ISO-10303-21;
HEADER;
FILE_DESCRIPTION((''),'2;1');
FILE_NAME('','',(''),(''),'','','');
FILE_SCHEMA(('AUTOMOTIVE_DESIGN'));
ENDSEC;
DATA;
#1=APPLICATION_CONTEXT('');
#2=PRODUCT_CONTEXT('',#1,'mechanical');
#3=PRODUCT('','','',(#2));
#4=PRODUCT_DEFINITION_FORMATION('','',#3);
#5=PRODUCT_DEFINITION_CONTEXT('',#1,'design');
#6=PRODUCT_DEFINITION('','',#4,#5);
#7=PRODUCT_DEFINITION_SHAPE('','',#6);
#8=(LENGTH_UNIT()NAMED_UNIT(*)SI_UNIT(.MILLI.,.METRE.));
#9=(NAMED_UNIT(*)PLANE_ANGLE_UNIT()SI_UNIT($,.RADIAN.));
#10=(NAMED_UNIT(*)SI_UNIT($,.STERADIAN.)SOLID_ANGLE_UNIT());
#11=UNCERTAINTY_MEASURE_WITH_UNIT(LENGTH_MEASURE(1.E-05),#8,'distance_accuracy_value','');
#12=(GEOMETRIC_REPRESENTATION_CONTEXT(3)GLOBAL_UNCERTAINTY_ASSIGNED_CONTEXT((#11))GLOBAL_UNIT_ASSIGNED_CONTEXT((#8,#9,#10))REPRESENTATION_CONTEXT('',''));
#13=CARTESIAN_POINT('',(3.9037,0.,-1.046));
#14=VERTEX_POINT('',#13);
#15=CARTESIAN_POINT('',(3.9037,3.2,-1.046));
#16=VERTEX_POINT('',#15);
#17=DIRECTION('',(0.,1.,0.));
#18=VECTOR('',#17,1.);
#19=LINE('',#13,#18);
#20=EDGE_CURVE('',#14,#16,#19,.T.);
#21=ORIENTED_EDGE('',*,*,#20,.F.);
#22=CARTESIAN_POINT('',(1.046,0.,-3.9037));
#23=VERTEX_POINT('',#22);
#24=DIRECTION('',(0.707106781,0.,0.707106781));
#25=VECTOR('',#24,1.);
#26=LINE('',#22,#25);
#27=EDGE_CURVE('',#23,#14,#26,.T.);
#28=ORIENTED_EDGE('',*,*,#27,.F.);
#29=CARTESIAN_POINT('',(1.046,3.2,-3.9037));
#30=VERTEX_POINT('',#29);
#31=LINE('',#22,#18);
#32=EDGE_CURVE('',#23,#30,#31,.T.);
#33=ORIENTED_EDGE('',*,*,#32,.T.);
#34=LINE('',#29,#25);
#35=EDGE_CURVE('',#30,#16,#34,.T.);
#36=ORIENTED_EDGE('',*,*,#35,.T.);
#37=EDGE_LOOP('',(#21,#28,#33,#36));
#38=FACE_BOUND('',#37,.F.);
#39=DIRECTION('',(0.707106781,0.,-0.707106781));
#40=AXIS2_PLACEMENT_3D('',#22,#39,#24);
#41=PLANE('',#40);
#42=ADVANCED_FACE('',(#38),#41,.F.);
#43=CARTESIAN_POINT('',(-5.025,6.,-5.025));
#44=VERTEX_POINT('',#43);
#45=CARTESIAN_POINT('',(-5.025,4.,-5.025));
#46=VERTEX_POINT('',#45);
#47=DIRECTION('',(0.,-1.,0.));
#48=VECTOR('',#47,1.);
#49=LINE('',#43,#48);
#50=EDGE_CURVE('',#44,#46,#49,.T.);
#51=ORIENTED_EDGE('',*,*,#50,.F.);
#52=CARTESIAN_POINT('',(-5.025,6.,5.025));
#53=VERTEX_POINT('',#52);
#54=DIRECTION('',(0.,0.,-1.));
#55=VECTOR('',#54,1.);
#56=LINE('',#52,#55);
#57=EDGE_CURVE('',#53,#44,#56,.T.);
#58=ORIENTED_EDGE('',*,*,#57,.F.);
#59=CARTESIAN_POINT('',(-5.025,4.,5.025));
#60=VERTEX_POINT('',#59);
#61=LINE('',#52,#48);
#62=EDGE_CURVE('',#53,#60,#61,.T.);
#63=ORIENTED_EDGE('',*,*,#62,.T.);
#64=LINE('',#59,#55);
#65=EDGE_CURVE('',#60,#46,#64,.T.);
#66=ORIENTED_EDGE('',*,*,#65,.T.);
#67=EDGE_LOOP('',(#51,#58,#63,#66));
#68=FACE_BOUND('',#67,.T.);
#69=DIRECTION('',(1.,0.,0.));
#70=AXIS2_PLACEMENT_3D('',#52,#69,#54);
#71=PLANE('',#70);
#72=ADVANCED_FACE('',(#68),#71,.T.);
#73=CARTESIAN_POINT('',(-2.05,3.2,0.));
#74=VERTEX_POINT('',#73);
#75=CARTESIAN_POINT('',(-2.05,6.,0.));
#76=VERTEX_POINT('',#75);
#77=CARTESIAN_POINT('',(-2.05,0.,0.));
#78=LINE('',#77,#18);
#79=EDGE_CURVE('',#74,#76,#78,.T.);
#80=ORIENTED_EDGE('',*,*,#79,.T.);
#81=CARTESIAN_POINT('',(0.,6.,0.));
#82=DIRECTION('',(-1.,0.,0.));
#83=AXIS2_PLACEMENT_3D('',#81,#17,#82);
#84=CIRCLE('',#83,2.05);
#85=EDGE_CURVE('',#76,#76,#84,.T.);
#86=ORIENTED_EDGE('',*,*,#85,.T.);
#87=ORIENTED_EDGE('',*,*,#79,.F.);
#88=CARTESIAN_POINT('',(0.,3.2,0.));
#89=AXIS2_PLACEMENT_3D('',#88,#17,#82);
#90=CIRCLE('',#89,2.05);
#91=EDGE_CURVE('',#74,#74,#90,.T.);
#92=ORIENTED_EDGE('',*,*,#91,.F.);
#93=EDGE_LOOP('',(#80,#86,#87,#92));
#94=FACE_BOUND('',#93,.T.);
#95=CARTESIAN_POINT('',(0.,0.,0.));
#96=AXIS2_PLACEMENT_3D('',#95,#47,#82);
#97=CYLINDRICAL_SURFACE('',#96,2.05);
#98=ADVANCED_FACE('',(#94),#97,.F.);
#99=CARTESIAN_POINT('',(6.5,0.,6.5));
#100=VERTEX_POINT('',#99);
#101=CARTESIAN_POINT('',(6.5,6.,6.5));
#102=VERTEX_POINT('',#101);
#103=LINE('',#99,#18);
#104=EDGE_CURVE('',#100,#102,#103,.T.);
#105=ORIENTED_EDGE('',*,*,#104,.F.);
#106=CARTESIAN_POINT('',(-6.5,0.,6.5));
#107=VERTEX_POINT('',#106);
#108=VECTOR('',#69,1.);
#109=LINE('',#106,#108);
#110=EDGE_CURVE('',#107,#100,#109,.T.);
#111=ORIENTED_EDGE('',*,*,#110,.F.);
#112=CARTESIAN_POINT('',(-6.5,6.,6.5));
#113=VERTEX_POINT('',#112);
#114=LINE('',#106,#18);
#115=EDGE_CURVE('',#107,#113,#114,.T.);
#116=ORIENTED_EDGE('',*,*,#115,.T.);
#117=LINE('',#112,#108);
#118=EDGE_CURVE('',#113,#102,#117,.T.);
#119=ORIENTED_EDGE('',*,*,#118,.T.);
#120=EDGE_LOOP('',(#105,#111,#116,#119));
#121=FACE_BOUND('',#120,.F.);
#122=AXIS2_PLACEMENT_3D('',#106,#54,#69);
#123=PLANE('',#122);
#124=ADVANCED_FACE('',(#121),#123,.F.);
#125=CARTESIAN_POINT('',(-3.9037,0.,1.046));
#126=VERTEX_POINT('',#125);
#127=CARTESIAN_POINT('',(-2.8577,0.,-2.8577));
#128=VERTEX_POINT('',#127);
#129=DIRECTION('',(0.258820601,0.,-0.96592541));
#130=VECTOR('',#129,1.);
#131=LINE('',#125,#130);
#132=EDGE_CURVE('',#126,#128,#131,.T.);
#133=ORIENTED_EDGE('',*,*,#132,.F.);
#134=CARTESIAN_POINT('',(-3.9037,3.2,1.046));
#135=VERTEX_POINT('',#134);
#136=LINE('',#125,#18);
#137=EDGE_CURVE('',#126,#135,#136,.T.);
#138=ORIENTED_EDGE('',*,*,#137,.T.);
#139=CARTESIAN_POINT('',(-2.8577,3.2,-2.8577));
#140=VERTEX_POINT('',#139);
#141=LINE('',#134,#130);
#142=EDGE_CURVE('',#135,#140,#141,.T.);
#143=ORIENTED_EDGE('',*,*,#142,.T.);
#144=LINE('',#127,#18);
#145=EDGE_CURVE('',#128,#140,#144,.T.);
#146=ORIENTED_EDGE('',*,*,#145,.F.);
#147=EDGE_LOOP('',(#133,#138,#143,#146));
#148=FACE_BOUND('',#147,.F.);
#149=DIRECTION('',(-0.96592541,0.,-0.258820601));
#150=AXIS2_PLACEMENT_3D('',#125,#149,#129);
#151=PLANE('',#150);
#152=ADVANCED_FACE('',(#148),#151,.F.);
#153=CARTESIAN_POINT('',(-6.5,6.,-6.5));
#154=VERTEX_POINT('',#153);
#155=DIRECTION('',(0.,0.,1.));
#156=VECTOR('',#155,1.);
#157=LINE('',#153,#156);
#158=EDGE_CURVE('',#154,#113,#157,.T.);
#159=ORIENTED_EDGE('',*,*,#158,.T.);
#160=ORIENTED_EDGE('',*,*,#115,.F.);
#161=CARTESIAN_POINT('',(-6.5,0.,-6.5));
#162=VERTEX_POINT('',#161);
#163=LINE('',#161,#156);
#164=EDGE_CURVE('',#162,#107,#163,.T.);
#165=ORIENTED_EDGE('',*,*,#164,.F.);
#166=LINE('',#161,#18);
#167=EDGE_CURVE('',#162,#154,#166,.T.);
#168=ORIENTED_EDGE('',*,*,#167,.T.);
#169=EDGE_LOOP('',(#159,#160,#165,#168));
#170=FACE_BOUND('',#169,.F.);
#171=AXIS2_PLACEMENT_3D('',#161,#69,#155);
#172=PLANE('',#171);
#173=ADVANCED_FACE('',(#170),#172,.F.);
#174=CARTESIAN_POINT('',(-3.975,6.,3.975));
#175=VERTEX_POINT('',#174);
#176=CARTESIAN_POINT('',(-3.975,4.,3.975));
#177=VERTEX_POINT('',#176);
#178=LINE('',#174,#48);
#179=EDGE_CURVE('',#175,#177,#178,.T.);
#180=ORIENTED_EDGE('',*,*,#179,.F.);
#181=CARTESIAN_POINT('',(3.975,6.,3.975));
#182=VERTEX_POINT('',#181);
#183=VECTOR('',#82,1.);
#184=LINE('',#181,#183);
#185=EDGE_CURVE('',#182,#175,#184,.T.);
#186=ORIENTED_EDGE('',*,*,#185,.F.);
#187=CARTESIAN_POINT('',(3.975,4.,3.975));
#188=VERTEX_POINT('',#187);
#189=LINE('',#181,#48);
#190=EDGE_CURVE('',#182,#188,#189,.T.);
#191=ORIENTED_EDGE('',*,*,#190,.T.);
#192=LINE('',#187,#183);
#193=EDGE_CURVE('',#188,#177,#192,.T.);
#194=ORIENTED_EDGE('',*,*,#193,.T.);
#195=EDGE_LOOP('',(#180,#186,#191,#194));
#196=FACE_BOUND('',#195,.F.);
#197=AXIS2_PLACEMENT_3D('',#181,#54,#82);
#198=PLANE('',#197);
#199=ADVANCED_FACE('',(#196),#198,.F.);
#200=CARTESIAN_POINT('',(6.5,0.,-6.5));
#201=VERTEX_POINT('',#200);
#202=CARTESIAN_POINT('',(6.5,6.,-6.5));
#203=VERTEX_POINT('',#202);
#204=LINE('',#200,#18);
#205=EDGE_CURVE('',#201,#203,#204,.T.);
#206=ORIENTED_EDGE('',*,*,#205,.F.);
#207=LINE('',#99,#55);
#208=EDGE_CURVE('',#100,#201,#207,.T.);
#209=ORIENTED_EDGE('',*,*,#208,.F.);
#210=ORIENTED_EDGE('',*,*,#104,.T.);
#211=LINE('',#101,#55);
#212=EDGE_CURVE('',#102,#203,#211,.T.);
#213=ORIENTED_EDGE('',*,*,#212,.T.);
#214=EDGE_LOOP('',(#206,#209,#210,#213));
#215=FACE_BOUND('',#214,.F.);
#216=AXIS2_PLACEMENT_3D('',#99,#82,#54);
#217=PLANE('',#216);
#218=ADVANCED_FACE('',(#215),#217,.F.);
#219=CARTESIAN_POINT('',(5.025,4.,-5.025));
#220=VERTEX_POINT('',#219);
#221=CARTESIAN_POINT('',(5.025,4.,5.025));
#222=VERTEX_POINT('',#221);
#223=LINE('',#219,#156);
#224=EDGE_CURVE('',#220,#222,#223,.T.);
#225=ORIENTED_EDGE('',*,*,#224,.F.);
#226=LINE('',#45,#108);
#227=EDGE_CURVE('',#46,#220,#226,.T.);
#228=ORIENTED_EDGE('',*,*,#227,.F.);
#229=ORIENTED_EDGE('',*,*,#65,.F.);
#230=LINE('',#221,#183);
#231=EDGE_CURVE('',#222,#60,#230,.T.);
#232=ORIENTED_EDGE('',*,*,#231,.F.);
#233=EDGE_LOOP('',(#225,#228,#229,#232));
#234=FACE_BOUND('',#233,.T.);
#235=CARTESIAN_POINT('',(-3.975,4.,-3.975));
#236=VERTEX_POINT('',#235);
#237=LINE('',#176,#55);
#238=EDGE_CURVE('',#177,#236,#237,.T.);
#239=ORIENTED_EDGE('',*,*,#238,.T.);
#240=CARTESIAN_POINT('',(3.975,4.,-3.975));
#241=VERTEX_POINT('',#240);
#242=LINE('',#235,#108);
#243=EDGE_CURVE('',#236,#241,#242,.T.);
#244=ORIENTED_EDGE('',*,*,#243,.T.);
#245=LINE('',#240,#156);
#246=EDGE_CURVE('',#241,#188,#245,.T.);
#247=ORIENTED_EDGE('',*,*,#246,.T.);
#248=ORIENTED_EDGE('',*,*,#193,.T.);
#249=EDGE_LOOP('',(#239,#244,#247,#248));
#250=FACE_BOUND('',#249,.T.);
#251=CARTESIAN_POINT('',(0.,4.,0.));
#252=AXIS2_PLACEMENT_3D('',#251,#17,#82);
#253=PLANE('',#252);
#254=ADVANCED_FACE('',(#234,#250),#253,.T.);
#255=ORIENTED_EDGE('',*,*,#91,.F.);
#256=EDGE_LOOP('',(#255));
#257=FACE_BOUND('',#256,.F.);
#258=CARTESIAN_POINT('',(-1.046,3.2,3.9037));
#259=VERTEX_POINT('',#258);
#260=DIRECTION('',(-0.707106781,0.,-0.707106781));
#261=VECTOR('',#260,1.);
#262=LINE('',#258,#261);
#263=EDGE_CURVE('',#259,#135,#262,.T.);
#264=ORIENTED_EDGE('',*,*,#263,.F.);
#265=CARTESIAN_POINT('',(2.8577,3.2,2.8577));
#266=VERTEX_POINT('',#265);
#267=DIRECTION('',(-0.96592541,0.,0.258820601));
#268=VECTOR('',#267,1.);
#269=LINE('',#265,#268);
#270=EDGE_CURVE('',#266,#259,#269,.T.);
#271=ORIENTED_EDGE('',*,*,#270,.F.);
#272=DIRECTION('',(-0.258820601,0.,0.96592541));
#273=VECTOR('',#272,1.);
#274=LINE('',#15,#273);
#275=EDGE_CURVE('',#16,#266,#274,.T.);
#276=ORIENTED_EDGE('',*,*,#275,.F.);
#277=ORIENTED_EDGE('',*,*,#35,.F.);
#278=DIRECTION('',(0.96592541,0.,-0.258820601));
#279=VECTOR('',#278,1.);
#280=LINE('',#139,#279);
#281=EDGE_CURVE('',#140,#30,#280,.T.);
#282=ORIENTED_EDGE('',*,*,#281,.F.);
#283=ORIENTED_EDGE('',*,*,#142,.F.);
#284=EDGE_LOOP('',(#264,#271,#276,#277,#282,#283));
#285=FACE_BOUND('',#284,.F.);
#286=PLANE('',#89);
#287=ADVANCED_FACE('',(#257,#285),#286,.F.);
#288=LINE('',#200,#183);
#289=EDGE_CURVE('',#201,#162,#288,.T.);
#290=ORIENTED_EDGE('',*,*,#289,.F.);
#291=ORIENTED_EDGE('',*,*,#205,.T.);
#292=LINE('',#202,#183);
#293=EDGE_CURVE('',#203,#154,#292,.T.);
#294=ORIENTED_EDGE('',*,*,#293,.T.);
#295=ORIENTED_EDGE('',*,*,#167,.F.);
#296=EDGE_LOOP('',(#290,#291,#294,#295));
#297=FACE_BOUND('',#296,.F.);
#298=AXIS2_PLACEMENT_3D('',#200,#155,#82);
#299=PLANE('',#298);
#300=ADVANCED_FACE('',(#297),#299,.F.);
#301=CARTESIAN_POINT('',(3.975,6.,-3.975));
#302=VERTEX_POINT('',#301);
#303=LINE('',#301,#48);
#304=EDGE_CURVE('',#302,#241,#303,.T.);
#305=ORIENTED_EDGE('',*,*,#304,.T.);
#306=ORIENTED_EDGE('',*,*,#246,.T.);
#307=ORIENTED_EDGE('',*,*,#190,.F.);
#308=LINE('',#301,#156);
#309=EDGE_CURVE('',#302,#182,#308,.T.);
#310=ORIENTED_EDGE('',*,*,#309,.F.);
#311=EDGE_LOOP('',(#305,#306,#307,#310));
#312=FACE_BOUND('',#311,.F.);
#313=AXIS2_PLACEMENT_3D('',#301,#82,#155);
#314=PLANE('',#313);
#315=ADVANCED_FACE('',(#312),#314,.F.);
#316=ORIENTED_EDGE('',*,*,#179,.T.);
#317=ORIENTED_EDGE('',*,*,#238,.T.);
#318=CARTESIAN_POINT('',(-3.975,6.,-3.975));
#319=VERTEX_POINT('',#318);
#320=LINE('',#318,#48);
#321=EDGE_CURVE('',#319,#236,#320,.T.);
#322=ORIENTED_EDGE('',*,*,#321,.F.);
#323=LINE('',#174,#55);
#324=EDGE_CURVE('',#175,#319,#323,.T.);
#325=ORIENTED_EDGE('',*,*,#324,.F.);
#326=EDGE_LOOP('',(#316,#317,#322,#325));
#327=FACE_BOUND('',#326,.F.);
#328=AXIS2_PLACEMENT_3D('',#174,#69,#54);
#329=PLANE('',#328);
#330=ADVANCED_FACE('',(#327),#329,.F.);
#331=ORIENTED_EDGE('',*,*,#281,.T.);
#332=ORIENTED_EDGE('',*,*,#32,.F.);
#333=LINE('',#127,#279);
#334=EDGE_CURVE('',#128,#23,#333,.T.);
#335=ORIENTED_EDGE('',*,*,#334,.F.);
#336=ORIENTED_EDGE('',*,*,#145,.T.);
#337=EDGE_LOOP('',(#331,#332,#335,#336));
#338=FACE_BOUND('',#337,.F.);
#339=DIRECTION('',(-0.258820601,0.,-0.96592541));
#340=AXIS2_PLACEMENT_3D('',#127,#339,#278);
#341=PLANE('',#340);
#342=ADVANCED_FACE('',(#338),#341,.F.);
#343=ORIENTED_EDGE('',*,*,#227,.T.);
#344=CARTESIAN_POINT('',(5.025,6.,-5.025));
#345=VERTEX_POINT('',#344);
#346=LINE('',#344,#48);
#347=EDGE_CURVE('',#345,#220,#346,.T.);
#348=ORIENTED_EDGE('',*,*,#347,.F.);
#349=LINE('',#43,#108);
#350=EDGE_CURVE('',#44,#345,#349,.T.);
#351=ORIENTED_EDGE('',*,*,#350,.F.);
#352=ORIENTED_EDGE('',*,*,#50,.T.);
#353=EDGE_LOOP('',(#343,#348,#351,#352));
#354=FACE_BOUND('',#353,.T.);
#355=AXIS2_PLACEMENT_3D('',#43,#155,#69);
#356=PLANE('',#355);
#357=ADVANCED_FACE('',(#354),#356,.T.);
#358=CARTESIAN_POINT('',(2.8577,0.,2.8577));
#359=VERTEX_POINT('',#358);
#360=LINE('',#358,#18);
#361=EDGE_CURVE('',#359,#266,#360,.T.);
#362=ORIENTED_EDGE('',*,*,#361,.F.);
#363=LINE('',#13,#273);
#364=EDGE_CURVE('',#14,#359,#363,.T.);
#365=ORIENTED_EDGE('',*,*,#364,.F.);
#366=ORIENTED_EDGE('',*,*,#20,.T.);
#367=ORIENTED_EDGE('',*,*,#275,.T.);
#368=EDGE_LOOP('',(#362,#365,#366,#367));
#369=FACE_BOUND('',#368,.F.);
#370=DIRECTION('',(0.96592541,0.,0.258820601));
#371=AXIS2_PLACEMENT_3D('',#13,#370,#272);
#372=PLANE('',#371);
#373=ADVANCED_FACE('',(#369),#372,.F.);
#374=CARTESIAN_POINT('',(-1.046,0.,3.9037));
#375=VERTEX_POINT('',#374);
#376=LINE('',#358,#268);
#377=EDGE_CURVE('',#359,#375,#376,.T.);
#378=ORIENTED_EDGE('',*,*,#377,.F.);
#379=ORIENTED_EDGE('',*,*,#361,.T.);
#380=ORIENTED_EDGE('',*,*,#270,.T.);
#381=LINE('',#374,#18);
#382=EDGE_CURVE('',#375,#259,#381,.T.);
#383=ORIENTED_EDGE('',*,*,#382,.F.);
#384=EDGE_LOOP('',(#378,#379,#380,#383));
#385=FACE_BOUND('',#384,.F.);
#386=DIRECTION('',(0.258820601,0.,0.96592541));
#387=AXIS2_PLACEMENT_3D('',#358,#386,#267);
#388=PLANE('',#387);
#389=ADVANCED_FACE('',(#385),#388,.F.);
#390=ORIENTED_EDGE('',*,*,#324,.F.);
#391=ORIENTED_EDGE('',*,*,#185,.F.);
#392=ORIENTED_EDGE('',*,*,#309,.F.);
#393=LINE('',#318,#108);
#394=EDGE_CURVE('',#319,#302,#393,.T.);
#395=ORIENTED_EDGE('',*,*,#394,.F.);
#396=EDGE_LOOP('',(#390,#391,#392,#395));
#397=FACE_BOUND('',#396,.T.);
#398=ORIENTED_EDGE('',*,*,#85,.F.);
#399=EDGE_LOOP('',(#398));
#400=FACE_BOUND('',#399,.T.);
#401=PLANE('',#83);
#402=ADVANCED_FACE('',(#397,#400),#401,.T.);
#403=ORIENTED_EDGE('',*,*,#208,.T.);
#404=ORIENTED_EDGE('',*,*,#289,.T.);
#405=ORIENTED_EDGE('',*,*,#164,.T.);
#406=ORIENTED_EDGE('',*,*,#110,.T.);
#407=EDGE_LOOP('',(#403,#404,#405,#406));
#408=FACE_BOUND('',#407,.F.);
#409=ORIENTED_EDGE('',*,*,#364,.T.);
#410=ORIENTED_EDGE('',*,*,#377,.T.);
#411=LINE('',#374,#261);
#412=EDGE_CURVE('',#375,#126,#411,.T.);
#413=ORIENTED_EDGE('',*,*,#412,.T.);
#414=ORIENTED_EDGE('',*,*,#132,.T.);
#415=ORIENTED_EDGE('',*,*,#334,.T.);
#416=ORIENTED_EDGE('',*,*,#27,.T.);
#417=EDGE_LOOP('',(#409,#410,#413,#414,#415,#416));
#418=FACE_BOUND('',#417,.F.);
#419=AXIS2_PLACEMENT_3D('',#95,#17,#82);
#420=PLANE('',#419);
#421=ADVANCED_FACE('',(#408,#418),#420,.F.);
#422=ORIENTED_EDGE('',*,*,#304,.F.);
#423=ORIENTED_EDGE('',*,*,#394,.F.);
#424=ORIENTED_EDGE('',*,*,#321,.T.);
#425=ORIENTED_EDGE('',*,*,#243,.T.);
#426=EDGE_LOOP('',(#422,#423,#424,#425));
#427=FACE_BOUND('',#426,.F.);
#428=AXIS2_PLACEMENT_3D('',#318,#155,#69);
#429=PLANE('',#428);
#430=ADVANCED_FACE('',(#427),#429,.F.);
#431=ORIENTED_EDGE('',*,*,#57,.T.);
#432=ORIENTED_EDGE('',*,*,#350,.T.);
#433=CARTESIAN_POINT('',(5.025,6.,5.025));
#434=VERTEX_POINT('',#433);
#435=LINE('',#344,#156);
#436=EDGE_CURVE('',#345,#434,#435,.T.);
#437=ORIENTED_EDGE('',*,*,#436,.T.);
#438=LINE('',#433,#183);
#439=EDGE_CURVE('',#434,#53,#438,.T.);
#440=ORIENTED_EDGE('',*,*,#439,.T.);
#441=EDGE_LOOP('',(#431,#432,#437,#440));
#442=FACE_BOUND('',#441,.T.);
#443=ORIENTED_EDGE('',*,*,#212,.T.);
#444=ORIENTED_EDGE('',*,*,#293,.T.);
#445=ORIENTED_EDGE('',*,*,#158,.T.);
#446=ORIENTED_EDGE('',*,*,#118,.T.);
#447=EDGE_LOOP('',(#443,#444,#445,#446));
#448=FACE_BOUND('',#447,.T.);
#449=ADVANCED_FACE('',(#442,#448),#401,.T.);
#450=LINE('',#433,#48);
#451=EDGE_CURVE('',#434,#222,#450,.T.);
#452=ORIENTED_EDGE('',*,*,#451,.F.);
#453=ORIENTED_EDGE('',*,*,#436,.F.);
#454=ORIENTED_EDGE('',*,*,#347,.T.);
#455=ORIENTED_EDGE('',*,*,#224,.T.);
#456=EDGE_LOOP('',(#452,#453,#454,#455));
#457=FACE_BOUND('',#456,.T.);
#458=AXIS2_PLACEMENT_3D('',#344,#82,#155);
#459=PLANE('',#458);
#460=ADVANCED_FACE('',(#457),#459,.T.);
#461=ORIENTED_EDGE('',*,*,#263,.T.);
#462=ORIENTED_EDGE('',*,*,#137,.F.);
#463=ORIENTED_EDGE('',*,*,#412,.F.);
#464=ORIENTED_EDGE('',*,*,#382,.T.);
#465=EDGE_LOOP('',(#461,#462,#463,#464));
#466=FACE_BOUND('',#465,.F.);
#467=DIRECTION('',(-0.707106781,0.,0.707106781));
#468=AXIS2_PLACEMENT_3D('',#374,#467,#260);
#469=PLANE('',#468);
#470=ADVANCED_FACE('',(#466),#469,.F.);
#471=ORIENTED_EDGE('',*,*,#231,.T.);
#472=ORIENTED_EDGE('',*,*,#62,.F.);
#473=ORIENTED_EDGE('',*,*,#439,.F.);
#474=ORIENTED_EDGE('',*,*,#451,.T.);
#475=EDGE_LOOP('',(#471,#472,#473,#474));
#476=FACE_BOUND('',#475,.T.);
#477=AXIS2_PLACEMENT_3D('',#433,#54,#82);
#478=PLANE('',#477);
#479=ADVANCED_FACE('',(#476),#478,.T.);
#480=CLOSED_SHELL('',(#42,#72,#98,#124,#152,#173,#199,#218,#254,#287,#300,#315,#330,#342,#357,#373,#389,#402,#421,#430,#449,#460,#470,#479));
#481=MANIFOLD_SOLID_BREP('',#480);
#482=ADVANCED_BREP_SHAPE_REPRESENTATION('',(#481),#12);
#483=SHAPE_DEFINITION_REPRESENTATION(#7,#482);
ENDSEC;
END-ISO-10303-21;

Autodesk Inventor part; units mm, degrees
ref_plane "YZ Plane" through (0, 0, 0) normal (1, 0, 0) x (0, 1, 0)
ref_plane "XY Plane" through (0, 0, 0) normal (0, 0, 1) x (1, 0, 0)
ref_plane "作業平面2" through (0, 6, 0) normal (0, 1, 0) x (-1, 0, 0)
sketch "スケッチ3" plane through (0, 6, 0) normal (0, 1, 0) x (-1, 0, 0)
  line L0 (3.975, -3.975) -> (-3.975, -3.975)
  line L1 (-3.975, -3.975) -> (-3.975, 3.975)
  line L2 (-3.975, 3.975) -> (3.975, 3.975)
  line L3 (3.975, 3.975) -> (3.975, -3.975)
  line L4 (3.975, -3.975) -> (-3.975, 3.975) construction
  line L5 (-3.975, -3.975) -> (3.975, 3.975) construction
  line L6 (5.025, -5.025) -> (-5.025, -5.025)
  line L7 (-5.025, -5.025) -> (-5.025, 5.025)
  line L8 (-5.025, 5.025) -> (5.025, 5.025)
  line L9 (5.025, 5.025) -> (5.025, -5.025)
  line L10 (5.025, -5.025) -> (-5.025, 5.025) construction
  line L11 (-5.025, -5.025) -> (5.025, 5.025) construction
  point P0 (0, 0)
  point P1 (0, 0)
  dimension "d19" = 7.95
  dimension "d20" = 7.95
  dimension "d21" = 10.05
  dimension "d22" = 10.05
sketch "スケッチ1" plane through (0, 0, 0) normal (0, 1, 0) x (-1, 0, 0)
  line L0 (6.5, -6.5) -> (-6.5, 6.5) construction
  line L1 (-6.5, -6.5) -> (6.5, 6.5) construction
  line L2 (1.046, 3.9037) -> (3.9037, 1.046)
  line L3 (3.9037, 1.046) -> (2.8577, -2.8577)
  line L4 (2.8577, -2.8577) -> (-1.046, -3.9037)
  line L5 (-1.046, -3.9037) -> (-3.9037, -1.046)
  line L6 (-3.9037, -1.046) -> (-2.8577, 2.8577)
  line L7 (-2.8577, 2.8577) -> (1.046, 3.9037)
  line L8 (-6.5, -6.5) -> (6.5, -6.5)
  line L9 (6.5, -6.5) -> (6.5, 6.5)
  line L10 (6.5, 6.5) -> (-6.5, 6.5)
  line L11 (-6.5, 6.5) -> (-6.5, -6.5)
  line L12 (-6.5, -6.5) -> (6.5, 6.5) construction
  line L13 (6.5, -6.5) -> (-6.5, 6.5) construction
  circle A0 centre (0, 0) radius 2.05
  dimension "d33" = 7
  dimension "d34" = 13
  dimension "d35" = 13
  dimension "d36" = 4.1
extrude "押し出し8" add sketch "スケッチ1" along normal blind 6 contours L2 L3 L4 L5 L6 L7 | L11 L10 L9 L8 | A0
extrude "押し出し9" cut sketch "スケッチ3" against normal blind 2
extrude "押し出し10" cut sketch "スケッチ1" along normal blind 3.2 contours L2 L3 L4 L5 L6 L7
extrude "押し出し11" cut sketch "スケッチ1" along normal blind 6 contours A0
properties part number "pin_joint_ver2_1"
